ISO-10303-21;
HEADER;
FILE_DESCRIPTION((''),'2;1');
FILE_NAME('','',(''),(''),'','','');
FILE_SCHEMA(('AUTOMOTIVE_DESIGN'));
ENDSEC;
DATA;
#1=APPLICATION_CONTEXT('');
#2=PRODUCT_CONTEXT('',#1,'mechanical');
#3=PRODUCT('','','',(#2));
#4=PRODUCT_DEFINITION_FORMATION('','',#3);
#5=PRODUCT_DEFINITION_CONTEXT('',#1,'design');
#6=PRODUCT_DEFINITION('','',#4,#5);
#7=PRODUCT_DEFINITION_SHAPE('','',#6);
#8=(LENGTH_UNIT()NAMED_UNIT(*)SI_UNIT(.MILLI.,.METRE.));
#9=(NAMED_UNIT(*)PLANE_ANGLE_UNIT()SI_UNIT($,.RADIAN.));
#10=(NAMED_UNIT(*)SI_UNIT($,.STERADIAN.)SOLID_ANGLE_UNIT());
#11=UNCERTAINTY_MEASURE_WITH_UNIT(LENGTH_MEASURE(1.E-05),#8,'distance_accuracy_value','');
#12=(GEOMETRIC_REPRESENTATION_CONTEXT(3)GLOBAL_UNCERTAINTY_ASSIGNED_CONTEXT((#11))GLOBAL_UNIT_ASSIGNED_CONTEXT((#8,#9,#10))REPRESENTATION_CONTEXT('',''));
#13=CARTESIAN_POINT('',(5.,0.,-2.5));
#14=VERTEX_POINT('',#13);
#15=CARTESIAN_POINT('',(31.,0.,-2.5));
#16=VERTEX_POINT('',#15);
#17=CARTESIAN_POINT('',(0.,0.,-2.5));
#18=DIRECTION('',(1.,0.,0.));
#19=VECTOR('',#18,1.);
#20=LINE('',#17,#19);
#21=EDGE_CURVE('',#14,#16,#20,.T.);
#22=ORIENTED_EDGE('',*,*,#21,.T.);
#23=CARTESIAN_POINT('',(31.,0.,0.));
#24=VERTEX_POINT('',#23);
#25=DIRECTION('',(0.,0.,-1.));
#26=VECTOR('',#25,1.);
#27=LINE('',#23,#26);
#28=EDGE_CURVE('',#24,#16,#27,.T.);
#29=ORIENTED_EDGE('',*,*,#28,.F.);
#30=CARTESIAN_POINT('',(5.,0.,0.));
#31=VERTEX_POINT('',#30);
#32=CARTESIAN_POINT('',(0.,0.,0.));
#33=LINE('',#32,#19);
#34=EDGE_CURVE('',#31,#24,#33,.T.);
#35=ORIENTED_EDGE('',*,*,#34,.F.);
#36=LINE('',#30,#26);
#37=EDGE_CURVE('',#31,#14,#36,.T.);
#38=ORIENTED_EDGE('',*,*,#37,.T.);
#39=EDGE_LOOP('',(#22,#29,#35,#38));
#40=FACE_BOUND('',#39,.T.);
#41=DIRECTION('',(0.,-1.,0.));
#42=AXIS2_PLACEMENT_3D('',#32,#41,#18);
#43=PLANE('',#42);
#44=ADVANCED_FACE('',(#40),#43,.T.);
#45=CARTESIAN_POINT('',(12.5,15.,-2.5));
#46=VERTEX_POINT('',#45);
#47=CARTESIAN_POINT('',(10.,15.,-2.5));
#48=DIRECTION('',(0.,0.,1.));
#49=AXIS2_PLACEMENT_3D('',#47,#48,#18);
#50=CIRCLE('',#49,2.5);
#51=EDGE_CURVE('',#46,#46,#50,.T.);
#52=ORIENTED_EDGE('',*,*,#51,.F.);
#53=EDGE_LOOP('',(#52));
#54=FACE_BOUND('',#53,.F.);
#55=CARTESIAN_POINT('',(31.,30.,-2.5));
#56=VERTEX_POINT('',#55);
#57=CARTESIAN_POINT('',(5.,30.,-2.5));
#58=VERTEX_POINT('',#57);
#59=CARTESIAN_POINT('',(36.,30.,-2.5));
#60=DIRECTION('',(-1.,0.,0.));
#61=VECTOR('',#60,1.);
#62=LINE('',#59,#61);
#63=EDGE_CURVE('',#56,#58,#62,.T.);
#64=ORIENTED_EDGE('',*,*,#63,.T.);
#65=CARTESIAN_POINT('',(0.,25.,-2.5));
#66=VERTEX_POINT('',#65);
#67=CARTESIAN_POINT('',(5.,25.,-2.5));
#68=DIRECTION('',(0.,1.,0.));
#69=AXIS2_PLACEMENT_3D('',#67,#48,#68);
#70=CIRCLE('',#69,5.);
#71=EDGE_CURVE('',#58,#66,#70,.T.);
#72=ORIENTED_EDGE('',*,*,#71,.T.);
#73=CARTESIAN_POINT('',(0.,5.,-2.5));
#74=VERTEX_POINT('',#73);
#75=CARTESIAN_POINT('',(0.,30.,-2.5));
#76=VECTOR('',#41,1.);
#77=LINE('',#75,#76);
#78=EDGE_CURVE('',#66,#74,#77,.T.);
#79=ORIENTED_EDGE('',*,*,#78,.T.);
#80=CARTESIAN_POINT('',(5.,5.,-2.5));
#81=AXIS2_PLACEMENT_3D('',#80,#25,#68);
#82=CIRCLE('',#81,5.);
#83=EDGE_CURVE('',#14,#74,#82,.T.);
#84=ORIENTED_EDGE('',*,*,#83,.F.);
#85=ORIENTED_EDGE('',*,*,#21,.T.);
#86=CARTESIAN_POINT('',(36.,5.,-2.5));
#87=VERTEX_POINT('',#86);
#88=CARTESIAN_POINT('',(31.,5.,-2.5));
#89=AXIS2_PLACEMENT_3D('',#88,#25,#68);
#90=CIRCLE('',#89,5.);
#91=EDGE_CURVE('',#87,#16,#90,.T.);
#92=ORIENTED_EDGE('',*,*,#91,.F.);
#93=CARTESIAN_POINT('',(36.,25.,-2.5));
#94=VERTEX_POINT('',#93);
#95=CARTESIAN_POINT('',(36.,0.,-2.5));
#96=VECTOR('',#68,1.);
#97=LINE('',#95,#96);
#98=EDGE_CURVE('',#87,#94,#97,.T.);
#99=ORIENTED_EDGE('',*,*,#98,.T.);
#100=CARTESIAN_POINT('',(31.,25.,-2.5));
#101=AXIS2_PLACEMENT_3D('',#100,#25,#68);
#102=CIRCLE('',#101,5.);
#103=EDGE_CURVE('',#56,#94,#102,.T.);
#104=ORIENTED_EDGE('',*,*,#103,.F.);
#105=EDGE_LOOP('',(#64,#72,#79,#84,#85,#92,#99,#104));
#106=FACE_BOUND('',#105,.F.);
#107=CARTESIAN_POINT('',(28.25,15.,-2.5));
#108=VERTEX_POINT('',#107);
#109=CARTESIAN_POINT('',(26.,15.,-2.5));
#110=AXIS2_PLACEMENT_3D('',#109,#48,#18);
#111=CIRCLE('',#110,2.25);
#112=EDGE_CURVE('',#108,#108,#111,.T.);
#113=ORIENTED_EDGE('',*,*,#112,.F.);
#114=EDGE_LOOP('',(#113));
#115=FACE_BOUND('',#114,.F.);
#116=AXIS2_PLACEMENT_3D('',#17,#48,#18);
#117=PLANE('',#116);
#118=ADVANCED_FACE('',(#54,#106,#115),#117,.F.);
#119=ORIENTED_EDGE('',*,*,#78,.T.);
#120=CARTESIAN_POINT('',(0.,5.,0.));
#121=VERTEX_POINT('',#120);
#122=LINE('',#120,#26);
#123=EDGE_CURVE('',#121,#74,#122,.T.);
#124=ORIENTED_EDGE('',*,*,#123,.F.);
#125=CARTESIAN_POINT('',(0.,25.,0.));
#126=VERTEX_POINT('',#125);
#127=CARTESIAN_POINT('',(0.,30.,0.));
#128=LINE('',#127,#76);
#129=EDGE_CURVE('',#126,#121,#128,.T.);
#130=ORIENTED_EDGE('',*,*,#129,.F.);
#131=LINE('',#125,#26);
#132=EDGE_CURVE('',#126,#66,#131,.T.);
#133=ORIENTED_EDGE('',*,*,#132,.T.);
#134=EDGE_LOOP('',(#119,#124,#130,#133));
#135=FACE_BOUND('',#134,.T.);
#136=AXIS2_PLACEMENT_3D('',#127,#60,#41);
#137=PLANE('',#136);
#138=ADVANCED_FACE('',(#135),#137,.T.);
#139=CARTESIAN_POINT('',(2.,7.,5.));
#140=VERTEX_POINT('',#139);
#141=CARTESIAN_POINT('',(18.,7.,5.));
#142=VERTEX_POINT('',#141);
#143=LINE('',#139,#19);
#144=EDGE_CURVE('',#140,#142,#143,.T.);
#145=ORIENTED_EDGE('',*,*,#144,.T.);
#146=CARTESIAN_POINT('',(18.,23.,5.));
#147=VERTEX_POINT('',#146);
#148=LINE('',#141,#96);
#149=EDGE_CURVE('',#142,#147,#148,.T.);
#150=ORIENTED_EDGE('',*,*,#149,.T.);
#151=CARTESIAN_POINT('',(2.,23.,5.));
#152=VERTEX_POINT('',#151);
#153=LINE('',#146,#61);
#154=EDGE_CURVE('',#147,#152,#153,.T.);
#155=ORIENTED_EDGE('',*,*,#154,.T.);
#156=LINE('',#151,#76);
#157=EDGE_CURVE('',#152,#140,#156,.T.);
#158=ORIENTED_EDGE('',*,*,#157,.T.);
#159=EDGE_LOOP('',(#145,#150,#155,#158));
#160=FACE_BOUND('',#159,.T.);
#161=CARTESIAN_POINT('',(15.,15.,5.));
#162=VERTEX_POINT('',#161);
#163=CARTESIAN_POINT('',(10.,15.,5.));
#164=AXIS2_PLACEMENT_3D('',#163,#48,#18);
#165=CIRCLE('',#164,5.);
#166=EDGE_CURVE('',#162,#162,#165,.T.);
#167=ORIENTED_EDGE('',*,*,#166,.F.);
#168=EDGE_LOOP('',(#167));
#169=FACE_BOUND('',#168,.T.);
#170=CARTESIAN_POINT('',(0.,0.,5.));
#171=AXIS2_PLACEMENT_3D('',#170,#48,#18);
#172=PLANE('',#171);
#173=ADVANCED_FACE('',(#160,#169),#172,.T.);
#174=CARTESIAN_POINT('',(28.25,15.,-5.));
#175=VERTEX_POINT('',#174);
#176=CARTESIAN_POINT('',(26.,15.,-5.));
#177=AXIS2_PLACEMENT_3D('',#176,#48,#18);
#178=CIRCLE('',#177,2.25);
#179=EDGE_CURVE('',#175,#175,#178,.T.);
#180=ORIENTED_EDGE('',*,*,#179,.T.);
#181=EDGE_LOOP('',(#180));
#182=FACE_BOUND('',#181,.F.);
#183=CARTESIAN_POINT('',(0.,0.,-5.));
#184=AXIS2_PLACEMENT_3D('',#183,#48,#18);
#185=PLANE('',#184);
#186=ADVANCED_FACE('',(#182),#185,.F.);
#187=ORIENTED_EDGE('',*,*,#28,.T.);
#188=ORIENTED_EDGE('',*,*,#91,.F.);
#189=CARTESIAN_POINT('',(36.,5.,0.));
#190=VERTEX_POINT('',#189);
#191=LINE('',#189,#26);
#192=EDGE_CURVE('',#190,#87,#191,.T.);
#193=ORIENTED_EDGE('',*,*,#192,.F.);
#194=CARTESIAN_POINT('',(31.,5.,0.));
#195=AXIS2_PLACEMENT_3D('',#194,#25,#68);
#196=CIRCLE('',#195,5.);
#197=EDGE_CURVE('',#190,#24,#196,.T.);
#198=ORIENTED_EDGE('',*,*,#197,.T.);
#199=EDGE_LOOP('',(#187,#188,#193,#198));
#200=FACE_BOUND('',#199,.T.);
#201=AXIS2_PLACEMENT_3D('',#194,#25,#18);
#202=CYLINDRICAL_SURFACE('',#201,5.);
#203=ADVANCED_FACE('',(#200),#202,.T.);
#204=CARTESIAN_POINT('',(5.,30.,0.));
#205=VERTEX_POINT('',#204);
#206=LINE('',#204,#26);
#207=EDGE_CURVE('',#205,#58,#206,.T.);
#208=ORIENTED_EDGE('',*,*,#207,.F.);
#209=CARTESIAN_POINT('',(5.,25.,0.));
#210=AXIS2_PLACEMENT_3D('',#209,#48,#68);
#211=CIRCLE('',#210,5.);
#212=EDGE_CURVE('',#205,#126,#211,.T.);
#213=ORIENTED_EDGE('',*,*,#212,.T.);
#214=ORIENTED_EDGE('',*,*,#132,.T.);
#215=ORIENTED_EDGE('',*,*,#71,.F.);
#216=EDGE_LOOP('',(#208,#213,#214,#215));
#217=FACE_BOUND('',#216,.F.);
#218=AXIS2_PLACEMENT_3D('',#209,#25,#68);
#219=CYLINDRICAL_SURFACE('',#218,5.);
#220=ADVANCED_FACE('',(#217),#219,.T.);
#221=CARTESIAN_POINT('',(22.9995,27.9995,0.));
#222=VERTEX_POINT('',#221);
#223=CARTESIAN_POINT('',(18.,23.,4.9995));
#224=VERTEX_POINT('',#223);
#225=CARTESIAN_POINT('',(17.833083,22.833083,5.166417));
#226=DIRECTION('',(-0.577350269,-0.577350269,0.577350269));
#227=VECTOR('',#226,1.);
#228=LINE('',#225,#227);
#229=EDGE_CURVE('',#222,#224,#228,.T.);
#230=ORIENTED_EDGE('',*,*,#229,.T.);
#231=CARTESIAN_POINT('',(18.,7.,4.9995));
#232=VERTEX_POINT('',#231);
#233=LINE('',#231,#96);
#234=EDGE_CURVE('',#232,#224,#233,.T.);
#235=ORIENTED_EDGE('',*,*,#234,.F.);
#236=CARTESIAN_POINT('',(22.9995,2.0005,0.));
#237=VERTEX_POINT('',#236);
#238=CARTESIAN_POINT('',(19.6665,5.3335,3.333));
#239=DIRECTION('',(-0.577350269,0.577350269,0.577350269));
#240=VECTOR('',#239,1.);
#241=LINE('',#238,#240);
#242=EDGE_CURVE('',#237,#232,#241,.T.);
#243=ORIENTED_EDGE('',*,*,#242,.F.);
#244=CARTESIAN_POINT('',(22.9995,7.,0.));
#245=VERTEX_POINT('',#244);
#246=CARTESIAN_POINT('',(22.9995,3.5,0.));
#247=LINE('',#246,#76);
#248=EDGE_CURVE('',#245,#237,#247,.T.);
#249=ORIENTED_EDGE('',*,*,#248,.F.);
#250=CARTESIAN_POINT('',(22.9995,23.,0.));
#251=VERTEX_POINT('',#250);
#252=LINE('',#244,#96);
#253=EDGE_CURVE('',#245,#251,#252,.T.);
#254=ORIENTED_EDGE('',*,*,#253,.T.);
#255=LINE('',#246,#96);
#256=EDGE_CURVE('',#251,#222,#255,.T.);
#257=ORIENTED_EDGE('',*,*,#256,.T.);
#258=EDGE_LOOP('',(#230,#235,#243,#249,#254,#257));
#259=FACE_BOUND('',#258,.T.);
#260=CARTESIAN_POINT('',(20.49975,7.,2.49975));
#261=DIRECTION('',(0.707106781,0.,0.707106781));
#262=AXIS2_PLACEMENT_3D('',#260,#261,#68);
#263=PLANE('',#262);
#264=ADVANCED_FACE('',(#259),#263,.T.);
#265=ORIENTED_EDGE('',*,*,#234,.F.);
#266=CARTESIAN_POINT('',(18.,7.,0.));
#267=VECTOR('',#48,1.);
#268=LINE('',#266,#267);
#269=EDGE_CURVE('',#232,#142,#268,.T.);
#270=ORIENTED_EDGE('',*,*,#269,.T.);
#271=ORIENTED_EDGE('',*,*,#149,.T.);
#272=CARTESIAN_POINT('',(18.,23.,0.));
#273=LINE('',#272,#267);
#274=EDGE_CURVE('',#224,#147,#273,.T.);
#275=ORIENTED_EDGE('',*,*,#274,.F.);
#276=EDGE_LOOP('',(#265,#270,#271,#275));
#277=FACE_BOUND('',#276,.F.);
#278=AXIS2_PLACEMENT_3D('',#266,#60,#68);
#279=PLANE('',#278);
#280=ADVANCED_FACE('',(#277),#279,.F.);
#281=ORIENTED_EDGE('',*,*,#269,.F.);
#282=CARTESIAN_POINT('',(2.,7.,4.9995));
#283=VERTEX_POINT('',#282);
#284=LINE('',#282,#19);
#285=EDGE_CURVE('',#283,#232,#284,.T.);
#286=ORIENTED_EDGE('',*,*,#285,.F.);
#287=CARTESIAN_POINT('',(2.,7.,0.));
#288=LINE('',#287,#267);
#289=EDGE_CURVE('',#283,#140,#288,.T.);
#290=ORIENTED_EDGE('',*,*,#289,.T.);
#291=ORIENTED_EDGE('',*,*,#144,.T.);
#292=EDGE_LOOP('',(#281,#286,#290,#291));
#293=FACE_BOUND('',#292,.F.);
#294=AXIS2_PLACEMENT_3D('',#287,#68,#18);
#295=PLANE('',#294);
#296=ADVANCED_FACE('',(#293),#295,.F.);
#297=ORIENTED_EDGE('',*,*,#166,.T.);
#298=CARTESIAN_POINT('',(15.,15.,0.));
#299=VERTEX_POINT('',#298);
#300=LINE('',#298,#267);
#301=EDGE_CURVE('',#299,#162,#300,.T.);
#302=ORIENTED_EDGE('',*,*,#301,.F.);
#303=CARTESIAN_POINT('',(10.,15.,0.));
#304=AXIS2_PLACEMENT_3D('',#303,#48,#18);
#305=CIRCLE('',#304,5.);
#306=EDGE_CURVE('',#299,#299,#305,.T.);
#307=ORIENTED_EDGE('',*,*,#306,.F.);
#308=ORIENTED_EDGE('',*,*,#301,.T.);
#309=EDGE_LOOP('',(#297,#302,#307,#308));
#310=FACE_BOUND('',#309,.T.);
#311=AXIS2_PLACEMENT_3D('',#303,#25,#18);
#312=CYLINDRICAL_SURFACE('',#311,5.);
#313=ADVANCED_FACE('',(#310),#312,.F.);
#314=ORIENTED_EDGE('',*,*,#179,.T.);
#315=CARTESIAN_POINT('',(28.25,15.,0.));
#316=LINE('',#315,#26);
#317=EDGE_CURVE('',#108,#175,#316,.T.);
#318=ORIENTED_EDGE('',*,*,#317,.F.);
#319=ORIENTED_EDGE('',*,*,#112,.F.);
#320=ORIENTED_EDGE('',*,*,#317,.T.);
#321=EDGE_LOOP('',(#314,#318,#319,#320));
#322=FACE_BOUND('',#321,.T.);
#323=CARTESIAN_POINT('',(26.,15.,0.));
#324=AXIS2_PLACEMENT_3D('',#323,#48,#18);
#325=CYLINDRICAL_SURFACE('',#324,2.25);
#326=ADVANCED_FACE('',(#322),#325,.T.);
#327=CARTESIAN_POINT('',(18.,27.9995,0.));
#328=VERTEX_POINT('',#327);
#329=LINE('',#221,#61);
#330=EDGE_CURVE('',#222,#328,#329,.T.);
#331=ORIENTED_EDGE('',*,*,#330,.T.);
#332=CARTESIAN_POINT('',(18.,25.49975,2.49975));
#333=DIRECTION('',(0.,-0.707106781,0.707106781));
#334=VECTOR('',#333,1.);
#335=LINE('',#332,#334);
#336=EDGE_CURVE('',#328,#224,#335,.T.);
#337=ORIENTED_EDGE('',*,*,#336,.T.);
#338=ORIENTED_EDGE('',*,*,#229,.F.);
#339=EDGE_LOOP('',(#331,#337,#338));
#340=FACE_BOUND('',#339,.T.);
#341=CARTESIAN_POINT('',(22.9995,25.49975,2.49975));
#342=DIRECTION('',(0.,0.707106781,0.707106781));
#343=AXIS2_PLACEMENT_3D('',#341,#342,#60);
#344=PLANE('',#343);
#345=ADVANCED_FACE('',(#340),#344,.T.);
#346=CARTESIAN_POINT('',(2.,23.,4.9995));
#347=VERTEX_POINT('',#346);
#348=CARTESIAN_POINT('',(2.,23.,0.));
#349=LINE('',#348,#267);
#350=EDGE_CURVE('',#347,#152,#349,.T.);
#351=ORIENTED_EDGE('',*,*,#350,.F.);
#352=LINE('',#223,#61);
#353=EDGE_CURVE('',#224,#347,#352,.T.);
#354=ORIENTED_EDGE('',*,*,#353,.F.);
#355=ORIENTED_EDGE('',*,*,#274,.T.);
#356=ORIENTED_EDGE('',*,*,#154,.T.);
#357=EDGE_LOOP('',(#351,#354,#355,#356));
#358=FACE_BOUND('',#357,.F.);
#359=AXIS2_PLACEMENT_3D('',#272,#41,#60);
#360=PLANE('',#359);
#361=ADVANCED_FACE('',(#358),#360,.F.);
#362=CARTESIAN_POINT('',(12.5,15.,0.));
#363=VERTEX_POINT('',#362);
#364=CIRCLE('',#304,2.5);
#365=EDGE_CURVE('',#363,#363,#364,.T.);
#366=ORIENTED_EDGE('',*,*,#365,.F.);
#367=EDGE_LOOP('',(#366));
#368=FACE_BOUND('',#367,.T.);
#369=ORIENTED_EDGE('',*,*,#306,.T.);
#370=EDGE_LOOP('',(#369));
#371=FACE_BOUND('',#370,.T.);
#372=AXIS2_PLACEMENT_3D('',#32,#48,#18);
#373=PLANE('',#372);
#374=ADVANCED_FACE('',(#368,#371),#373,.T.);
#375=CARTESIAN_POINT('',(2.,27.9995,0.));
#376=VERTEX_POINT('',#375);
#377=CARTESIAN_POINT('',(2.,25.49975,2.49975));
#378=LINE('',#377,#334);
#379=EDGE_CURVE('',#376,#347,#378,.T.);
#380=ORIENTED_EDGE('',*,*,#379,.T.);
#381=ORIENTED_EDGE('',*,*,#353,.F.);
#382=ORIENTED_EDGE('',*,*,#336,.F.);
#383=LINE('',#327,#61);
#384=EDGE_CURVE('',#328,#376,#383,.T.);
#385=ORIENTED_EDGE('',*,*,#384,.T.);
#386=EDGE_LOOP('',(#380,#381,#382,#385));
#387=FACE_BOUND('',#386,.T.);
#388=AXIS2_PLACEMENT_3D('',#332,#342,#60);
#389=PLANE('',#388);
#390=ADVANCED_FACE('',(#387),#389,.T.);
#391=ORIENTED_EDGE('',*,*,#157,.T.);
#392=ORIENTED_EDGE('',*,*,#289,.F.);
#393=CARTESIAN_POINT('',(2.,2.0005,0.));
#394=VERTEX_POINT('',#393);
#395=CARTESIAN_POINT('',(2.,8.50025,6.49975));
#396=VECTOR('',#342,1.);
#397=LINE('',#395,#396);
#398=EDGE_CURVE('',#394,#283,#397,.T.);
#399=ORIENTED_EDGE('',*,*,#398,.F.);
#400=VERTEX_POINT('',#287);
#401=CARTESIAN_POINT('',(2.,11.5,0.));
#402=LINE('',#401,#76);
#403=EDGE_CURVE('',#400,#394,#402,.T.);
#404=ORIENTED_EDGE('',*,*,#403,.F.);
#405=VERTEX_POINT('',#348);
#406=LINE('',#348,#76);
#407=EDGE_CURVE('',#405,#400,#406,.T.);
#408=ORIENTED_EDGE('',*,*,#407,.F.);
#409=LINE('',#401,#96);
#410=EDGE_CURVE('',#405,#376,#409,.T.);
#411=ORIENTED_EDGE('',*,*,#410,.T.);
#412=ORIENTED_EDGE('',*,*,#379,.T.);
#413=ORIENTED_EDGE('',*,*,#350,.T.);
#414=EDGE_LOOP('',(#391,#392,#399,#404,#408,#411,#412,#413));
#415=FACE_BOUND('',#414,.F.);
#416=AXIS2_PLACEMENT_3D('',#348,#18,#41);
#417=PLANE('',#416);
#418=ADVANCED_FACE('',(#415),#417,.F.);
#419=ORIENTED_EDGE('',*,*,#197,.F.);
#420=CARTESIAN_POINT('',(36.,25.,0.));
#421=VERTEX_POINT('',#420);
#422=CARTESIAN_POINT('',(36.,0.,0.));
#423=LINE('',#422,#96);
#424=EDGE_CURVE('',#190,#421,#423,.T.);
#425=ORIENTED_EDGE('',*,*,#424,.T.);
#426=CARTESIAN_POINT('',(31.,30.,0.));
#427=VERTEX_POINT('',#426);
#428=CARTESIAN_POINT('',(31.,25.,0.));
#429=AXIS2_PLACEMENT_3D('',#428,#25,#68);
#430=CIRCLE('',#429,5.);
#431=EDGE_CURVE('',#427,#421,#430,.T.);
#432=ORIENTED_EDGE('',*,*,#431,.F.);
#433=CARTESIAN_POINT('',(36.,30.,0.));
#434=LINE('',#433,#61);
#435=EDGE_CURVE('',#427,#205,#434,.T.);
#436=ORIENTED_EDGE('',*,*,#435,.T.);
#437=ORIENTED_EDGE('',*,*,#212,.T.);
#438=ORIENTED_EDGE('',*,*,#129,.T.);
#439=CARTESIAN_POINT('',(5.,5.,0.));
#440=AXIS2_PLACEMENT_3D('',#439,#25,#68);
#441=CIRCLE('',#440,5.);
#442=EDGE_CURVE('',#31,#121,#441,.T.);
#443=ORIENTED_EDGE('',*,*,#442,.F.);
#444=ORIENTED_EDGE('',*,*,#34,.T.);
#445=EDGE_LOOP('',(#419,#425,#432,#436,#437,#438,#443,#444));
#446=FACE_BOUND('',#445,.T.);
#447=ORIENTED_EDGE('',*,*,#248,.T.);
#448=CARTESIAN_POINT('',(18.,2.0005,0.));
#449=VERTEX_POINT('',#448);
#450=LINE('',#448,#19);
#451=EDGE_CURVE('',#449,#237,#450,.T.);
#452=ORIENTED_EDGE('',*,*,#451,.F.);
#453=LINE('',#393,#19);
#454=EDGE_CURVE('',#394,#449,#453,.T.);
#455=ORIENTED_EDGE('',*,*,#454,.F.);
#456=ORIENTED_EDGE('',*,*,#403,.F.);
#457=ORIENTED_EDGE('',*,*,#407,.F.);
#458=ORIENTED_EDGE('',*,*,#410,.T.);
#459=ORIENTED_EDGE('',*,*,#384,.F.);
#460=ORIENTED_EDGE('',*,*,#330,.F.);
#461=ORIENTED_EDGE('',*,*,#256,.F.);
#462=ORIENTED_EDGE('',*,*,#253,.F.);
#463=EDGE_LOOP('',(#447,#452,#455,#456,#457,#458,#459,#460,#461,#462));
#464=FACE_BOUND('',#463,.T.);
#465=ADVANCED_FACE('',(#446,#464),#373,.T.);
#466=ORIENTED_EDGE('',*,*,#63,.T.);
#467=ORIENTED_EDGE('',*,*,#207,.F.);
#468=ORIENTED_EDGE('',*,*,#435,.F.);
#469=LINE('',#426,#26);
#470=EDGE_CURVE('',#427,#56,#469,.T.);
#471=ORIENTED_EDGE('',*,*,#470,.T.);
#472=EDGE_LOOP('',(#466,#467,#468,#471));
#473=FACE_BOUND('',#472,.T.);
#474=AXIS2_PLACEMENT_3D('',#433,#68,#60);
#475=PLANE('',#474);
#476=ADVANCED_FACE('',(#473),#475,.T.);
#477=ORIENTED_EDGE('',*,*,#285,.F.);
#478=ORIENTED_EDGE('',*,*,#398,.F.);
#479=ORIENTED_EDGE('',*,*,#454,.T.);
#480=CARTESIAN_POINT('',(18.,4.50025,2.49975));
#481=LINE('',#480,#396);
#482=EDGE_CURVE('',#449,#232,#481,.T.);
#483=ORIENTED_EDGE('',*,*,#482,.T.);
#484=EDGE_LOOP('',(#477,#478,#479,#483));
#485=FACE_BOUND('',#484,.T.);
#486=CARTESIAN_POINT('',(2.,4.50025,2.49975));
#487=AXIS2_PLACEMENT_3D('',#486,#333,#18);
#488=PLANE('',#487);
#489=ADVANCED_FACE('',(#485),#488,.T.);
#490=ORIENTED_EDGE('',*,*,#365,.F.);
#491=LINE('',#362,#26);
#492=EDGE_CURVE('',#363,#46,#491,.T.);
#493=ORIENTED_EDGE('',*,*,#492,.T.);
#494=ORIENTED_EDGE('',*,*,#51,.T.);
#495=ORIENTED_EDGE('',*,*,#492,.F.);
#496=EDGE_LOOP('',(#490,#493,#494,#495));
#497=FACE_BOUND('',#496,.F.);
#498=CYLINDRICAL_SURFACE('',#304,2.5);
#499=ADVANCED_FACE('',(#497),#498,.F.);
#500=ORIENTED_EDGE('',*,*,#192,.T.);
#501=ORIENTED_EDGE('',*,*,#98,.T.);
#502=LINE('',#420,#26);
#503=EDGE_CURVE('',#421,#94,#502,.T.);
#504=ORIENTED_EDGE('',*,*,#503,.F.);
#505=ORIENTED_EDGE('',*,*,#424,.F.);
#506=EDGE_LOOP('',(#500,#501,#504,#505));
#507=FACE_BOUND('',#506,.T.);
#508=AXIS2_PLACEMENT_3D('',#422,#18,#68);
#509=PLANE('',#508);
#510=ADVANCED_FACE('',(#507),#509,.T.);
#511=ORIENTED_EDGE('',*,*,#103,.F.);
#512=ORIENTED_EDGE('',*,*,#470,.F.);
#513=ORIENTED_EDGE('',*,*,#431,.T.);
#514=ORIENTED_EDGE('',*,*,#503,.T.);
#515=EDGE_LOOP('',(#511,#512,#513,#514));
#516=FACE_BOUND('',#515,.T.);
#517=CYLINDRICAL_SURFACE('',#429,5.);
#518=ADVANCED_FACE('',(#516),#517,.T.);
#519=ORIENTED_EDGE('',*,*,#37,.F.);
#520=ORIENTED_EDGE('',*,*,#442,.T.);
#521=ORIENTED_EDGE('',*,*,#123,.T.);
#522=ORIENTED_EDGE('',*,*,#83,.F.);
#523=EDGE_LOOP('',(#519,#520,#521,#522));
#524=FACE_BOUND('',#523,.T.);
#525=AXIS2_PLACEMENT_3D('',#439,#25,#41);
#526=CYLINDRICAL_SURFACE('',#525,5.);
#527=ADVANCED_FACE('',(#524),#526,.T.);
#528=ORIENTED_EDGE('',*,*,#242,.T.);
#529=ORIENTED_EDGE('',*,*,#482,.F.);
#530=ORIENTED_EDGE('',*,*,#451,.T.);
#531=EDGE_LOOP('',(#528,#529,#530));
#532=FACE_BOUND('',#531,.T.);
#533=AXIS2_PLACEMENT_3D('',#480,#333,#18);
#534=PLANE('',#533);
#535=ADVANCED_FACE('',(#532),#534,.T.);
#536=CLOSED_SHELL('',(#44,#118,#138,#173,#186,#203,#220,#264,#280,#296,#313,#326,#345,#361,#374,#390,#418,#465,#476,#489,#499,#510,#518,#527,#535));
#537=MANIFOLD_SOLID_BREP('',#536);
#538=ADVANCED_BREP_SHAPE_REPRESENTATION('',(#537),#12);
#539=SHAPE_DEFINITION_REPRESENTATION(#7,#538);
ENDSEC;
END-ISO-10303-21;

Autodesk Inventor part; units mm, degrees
ref_plane "YZ Plane" through (0, 0, 0) normal (1, 0, 0) x (0, 1, 0)
ref_plane "XZ Plane" through (0, 0, 0) normal (0, 1, 0) x (-1, 0, 0)
ref_plane "XY Plane" through (0, 0, 0) normal (0, 0, 1) x (1, 0, 0)
sketch "Sketch1" plane through (0, 0, 0) normal (0, 0, 1) x (1, 0, 0)
  line L0 (0, 0) -> (36, 0)
  line L1 (36, 0) -> (36, 30)
  line L2 (36, 30) -> (0, 30)
  line L3 (0, 30) -> (0, 0)
  circle A0 centre (10, 15) radius 2.5
  circle A1 centre (26, 15) radius 2.25
  line L4 (0, 0) -> (36, 0)
  line L5 (2, 7) -> (18, 7)
  line L6 (18, 7) -> (18, 23)
  line L7 (18, 23) -> (2, 23)
  line L8 (2, 23) -> (2, 7)
  circle A2 centre (10, 15) radius 5
  dimension "d0" = 10
  dimension "d1" = 16
  dimension "d2" = 4.5
  dimension "d3" = 5
  dimension "d4" = 15
  dimension "d5" = 15
  dimension "d6" = 10
  dimension "d7" = 15
  dimension "d15" = 10
  dimension "d16" = 8
  dimension "d17" = 8
  dimension "d18" = 8
  dimension "d19" = 8
extrude "Extrusion1" add sketch "Sketch1" against normal blind 2.5 contours L3 L2 L1 L0 | L8 L7 L6 L5 | A2
extrude "Extrusion3" add sketch "Sketch1" against normal blind 5 contours A1
extrude "Extrusion4" add sketch "Sketch1" along normal blind 5 contours L8 L7 L6 L5
chamfer "Chamfer1" distance 5 angle 45 1 edges at (18, 15, 0)
chamfer "Chamfer2" distance 5 angle 45 1 edges at (10, 7, 0)
chamfer "Chamfer4" distance 5 angle 45 1 edges at (10, 23, 0)
fillet "Fillet1" radius 5 1 edges at (36, 30, -1.25)
fillet "Fillet2" radius 5 1 edges at (0, 30, -1.25)
fillet "Fillet3" radius 5 1 edges at (36, 0, -1.25)
fillet "Fillet4" radius 5 1 edges at (0, 0, -1.25)
properties part number "keithley_2000_rear_feet"
